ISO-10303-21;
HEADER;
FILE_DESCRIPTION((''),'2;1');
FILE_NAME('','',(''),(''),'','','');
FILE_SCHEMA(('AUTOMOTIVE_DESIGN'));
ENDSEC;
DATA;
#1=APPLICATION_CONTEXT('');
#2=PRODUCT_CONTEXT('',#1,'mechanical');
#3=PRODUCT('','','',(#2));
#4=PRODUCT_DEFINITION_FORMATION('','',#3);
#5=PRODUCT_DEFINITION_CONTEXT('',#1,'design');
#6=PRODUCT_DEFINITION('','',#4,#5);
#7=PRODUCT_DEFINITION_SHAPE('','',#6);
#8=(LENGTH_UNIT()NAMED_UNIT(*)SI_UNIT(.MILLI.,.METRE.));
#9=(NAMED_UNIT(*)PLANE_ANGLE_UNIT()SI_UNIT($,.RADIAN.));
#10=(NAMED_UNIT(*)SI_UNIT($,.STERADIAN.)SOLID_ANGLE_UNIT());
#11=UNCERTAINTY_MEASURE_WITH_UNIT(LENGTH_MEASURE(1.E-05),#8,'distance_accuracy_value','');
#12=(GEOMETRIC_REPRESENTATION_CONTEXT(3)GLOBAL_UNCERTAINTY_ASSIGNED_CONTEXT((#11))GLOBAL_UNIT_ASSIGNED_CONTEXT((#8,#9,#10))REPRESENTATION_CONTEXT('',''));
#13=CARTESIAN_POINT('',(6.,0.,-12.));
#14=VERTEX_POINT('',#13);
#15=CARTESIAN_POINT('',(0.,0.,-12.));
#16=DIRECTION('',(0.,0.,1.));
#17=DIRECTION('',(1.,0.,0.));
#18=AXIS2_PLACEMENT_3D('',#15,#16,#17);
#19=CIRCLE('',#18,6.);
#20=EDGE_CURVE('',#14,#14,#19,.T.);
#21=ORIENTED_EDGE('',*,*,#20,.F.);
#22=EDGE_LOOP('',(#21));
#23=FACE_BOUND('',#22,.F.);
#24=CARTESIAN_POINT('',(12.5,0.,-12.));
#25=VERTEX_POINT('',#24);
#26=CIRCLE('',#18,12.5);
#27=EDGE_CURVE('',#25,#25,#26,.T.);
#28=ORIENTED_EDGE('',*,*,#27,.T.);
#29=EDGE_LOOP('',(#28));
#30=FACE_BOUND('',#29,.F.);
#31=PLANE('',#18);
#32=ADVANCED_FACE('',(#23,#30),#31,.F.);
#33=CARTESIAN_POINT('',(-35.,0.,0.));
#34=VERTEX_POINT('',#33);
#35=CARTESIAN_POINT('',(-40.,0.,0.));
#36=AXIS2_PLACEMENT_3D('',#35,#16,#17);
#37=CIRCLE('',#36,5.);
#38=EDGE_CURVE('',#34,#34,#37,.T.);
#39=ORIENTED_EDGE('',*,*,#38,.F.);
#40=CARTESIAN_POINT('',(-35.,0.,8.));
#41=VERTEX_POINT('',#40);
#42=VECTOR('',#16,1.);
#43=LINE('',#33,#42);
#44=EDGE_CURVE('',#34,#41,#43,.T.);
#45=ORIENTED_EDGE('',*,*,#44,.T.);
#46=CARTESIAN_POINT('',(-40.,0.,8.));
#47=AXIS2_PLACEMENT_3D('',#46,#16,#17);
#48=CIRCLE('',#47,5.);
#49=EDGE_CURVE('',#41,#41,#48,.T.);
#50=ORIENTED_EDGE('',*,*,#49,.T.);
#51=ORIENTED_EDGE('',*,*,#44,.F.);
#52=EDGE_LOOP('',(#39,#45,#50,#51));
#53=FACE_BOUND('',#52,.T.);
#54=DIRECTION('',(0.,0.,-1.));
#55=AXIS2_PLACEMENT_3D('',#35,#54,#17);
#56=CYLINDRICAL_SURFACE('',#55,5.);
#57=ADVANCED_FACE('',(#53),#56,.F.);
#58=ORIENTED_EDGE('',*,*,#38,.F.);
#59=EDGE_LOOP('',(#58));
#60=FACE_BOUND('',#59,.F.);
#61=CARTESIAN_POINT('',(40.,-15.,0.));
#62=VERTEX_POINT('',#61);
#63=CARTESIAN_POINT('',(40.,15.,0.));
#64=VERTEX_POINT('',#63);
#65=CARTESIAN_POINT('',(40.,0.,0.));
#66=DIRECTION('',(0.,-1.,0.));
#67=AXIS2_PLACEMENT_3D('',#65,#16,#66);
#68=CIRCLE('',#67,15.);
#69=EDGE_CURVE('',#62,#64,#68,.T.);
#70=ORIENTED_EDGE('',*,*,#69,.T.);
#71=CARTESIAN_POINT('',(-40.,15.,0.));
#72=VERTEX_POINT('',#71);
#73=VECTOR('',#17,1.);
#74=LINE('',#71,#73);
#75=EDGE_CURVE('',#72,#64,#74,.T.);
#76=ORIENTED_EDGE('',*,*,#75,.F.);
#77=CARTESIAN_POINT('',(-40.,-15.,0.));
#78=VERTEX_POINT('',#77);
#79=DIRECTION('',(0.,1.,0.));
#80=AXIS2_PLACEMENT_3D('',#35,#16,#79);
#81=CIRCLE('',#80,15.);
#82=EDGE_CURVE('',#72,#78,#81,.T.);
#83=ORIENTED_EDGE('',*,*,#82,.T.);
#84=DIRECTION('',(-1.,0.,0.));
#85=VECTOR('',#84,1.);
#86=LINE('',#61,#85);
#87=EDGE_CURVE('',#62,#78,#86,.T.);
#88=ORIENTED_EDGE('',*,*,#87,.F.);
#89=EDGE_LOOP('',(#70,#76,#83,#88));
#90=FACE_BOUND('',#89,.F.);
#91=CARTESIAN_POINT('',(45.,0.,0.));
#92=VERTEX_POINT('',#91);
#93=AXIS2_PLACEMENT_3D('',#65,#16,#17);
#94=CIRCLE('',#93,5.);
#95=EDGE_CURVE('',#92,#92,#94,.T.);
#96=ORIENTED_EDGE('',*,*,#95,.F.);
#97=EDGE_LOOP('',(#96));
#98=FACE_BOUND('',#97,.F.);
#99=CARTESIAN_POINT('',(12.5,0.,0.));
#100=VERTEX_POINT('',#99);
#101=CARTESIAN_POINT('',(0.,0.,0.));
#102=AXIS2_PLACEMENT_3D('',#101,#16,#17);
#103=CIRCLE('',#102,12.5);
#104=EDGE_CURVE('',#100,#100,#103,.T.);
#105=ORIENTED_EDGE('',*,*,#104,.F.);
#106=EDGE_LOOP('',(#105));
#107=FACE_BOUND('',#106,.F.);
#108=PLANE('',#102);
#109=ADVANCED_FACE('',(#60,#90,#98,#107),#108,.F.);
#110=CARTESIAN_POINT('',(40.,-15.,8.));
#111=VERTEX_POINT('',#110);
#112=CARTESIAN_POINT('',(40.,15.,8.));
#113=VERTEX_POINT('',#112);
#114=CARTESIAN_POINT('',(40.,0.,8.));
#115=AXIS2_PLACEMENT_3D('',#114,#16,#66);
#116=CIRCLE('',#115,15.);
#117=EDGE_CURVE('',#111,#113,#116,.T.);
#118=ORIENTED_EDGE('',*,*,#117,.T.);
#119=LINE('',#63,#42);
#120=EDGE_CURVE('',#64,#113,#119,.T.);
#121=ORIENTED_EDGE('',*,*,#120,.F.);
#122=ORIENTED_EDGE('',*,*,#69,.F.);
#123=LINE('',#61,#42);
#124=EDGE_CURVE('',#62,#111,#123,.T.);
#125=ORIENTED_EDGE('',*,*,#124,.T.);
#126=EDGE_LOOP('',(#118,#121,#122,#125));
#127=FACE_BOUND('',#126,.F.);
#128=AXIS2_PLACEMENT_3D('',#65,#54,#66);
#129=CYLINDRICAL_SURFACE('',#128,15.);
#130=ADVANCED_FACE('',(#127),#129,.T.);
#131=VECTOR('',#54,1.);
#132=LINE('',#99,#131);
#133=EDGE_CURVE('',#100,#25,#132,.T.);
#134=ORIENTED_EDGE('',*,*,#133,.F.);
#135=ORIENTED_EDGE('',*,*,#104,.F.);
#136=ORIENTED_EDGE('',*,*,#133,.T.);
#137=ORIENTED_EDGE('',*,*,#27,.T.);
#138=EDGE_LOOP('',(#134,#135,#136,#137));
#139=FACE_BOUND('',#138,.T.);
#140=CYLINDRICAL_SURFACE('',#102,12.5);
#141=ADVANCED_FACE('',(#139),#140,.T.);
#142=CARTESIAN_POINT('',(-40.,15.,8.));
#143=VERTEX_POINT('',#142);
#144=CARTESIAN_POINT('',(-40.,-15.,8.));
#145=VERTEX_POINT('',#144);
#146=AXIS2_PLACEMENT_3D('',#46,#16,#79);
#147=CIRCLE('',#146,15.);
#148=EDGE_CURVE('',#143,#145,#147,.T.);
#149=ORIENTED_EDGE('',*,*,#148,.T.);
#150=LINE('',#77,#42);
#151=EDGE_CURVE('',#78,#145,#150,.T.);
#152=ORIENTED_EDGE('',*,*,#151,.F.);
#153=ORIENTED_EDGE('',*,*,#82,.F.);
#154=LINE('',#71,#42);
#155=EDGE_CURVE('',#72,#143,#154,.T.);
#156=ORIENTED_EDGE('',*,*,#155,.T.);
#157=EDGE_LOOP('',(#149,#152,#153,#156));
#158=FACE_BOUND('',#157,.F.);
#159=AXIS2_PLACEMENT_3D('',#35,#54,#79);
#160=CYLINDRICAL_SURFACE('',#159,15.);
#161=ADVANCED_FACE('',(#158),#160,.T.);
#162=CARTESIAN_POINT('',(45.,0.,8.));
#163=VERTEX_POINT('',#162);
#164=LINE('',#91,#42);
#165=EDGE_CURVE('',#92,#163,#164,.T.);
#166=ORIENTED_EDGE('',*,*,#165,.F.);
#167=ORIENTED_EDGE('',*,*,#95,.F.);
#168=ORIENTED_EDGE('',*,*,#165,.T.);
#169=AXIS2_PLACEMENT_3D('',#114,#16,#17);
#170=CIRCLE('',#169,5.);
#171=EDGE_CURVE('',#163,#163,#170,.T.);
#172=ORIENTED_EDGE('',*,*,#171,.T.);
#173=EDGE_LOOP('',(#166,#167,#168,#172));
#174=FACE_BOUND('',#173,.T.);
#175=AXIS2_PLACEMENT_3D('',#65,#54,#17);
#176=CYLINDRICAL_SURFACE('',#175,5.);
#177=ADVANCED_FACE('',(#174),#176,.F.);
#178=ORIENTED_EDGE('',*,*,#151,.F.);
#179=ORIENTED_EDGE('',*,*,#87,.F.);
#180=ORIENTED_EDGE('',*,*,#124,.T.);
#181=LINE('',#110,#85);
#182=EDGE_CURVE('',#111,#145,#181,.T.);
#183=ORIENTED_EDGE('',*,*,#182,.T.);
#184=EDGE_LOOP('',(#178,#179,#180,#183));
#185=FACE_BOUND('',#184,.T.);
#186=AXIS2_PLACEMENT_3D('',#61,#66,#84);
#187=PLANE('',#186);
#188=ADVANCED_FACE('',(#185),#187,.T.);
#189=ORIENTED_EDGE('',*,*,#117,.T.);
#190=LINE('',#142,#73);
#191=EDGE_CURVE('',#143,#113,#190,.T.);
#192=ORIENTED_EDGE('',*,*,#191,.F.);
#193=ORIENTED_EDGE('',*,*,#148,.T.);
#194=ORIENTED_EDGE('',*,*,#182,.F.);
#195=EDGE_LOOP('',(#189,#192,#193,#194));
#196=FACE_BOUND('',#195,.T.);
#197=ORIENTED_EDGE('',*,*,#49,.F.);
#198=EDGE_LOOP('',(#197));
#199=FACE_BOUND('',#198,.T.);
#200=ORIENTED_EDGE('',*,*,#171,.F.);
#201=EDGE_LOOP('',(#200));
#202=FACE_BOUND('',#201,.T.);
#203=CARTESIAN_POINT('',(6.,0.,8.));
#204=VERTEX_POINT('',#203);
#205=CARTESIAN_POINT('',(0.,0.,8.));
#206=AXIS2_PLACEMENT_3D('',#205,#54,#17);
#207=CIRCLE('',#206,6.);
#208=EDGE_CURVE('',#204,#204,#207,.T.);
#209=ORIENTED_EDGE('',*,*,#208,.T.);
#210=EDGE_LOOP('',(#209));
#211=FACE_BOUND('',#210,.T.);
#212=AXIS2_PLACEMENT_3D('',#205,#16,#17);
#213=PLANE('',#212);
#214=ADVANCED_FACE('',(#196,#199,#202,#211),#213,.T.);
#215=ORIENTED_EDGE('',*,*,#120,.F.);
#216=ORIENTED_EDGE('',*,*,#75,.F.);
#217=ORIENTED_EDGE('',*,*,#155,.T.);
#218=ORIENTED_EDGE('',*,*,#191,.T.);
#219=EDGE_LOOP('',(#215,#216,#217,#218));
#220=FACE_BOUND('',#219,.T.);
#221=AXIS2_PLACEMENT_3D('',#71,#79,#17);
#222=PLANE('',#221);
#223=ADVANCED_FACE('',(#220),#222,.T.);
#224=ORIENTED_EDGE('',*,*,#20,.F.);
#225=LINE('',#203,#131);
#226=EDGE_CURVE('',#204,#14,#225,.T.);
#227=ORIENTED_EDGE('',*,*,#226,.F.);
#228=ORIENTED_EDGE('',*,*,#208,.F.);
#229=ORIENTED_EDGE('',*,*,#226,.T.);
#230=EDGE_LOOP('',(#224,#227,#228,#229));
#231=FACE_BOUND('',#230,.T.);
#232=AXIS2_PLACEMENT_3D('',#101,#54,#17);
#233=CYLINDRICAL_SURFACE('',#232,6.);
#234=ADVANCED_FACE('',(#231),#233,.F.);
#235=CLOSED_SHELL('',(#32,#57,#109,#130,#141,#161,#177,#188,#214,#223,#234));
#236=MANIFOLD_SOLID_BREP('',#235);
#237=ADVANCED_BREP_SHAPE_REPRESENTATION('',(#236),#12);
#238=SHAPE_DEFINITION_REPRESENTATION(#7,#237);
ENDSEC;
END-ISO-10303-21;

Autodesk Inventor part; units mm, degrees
ref_plane "YZ Plane" through (0, 0, 0) normal (1, 0, 0) x (0, 1, 0)
ref_plane "XZ Plane" through (0, 0, 0) normal (0, 1, 0) x (-1, 0, 0)
ref_plane "XY Plane" through (0, 0, 0) normal (0, 0, 1) x (1, 0, 0)
sketch "Эскиз1" plane through (0, 0, 0) normal (0, 0, 1) x (1, 0, 0)
  arc A0 (40, -15) -> (40, 15) centre (40, 0) ccw
  line L0 (40, -15) -> (-40, -15)
  arc A1 (-40, 15) -> (-40, -15) centre (-40, 0) ccw
  line L1 (-40, 15) -> (40, 15)
  circle A2 centre (-40, 0) radius 5
  circle A3 centre (40, 0) radius 5
  circle A4 centre (0, 0) radius 12.5
  circle A5 centre (0, 0) radius 6
  point P0 (0, 0)
  dimension "d2" = 80
  dimension "d6" = 10
  dimension "d7" = 10
  dimension "d9" = 25
  dimension "d10" = 12
extrude "Выдавливание1" add sketch "Эскиз1" along normal blind 8 contours L0 A1 L1 A0 | A2 | A3 | A4 | A5
extrude "Выдавливание2" cut sketch "Эскиз1" along normal blind 8 contours A2
extrude "Выдавливание3" cut sketch "Эскиз1" along normal blind 8 contours A3
extrude "Выдавливание4" add sketch "Эскиз1" against normal blind 12 contours A4
extrude "Выдавливание5" cut sketch "Эскиз1" along normal blind 12 contours A5
properties part number "lab_3_1" material "Сталь"
